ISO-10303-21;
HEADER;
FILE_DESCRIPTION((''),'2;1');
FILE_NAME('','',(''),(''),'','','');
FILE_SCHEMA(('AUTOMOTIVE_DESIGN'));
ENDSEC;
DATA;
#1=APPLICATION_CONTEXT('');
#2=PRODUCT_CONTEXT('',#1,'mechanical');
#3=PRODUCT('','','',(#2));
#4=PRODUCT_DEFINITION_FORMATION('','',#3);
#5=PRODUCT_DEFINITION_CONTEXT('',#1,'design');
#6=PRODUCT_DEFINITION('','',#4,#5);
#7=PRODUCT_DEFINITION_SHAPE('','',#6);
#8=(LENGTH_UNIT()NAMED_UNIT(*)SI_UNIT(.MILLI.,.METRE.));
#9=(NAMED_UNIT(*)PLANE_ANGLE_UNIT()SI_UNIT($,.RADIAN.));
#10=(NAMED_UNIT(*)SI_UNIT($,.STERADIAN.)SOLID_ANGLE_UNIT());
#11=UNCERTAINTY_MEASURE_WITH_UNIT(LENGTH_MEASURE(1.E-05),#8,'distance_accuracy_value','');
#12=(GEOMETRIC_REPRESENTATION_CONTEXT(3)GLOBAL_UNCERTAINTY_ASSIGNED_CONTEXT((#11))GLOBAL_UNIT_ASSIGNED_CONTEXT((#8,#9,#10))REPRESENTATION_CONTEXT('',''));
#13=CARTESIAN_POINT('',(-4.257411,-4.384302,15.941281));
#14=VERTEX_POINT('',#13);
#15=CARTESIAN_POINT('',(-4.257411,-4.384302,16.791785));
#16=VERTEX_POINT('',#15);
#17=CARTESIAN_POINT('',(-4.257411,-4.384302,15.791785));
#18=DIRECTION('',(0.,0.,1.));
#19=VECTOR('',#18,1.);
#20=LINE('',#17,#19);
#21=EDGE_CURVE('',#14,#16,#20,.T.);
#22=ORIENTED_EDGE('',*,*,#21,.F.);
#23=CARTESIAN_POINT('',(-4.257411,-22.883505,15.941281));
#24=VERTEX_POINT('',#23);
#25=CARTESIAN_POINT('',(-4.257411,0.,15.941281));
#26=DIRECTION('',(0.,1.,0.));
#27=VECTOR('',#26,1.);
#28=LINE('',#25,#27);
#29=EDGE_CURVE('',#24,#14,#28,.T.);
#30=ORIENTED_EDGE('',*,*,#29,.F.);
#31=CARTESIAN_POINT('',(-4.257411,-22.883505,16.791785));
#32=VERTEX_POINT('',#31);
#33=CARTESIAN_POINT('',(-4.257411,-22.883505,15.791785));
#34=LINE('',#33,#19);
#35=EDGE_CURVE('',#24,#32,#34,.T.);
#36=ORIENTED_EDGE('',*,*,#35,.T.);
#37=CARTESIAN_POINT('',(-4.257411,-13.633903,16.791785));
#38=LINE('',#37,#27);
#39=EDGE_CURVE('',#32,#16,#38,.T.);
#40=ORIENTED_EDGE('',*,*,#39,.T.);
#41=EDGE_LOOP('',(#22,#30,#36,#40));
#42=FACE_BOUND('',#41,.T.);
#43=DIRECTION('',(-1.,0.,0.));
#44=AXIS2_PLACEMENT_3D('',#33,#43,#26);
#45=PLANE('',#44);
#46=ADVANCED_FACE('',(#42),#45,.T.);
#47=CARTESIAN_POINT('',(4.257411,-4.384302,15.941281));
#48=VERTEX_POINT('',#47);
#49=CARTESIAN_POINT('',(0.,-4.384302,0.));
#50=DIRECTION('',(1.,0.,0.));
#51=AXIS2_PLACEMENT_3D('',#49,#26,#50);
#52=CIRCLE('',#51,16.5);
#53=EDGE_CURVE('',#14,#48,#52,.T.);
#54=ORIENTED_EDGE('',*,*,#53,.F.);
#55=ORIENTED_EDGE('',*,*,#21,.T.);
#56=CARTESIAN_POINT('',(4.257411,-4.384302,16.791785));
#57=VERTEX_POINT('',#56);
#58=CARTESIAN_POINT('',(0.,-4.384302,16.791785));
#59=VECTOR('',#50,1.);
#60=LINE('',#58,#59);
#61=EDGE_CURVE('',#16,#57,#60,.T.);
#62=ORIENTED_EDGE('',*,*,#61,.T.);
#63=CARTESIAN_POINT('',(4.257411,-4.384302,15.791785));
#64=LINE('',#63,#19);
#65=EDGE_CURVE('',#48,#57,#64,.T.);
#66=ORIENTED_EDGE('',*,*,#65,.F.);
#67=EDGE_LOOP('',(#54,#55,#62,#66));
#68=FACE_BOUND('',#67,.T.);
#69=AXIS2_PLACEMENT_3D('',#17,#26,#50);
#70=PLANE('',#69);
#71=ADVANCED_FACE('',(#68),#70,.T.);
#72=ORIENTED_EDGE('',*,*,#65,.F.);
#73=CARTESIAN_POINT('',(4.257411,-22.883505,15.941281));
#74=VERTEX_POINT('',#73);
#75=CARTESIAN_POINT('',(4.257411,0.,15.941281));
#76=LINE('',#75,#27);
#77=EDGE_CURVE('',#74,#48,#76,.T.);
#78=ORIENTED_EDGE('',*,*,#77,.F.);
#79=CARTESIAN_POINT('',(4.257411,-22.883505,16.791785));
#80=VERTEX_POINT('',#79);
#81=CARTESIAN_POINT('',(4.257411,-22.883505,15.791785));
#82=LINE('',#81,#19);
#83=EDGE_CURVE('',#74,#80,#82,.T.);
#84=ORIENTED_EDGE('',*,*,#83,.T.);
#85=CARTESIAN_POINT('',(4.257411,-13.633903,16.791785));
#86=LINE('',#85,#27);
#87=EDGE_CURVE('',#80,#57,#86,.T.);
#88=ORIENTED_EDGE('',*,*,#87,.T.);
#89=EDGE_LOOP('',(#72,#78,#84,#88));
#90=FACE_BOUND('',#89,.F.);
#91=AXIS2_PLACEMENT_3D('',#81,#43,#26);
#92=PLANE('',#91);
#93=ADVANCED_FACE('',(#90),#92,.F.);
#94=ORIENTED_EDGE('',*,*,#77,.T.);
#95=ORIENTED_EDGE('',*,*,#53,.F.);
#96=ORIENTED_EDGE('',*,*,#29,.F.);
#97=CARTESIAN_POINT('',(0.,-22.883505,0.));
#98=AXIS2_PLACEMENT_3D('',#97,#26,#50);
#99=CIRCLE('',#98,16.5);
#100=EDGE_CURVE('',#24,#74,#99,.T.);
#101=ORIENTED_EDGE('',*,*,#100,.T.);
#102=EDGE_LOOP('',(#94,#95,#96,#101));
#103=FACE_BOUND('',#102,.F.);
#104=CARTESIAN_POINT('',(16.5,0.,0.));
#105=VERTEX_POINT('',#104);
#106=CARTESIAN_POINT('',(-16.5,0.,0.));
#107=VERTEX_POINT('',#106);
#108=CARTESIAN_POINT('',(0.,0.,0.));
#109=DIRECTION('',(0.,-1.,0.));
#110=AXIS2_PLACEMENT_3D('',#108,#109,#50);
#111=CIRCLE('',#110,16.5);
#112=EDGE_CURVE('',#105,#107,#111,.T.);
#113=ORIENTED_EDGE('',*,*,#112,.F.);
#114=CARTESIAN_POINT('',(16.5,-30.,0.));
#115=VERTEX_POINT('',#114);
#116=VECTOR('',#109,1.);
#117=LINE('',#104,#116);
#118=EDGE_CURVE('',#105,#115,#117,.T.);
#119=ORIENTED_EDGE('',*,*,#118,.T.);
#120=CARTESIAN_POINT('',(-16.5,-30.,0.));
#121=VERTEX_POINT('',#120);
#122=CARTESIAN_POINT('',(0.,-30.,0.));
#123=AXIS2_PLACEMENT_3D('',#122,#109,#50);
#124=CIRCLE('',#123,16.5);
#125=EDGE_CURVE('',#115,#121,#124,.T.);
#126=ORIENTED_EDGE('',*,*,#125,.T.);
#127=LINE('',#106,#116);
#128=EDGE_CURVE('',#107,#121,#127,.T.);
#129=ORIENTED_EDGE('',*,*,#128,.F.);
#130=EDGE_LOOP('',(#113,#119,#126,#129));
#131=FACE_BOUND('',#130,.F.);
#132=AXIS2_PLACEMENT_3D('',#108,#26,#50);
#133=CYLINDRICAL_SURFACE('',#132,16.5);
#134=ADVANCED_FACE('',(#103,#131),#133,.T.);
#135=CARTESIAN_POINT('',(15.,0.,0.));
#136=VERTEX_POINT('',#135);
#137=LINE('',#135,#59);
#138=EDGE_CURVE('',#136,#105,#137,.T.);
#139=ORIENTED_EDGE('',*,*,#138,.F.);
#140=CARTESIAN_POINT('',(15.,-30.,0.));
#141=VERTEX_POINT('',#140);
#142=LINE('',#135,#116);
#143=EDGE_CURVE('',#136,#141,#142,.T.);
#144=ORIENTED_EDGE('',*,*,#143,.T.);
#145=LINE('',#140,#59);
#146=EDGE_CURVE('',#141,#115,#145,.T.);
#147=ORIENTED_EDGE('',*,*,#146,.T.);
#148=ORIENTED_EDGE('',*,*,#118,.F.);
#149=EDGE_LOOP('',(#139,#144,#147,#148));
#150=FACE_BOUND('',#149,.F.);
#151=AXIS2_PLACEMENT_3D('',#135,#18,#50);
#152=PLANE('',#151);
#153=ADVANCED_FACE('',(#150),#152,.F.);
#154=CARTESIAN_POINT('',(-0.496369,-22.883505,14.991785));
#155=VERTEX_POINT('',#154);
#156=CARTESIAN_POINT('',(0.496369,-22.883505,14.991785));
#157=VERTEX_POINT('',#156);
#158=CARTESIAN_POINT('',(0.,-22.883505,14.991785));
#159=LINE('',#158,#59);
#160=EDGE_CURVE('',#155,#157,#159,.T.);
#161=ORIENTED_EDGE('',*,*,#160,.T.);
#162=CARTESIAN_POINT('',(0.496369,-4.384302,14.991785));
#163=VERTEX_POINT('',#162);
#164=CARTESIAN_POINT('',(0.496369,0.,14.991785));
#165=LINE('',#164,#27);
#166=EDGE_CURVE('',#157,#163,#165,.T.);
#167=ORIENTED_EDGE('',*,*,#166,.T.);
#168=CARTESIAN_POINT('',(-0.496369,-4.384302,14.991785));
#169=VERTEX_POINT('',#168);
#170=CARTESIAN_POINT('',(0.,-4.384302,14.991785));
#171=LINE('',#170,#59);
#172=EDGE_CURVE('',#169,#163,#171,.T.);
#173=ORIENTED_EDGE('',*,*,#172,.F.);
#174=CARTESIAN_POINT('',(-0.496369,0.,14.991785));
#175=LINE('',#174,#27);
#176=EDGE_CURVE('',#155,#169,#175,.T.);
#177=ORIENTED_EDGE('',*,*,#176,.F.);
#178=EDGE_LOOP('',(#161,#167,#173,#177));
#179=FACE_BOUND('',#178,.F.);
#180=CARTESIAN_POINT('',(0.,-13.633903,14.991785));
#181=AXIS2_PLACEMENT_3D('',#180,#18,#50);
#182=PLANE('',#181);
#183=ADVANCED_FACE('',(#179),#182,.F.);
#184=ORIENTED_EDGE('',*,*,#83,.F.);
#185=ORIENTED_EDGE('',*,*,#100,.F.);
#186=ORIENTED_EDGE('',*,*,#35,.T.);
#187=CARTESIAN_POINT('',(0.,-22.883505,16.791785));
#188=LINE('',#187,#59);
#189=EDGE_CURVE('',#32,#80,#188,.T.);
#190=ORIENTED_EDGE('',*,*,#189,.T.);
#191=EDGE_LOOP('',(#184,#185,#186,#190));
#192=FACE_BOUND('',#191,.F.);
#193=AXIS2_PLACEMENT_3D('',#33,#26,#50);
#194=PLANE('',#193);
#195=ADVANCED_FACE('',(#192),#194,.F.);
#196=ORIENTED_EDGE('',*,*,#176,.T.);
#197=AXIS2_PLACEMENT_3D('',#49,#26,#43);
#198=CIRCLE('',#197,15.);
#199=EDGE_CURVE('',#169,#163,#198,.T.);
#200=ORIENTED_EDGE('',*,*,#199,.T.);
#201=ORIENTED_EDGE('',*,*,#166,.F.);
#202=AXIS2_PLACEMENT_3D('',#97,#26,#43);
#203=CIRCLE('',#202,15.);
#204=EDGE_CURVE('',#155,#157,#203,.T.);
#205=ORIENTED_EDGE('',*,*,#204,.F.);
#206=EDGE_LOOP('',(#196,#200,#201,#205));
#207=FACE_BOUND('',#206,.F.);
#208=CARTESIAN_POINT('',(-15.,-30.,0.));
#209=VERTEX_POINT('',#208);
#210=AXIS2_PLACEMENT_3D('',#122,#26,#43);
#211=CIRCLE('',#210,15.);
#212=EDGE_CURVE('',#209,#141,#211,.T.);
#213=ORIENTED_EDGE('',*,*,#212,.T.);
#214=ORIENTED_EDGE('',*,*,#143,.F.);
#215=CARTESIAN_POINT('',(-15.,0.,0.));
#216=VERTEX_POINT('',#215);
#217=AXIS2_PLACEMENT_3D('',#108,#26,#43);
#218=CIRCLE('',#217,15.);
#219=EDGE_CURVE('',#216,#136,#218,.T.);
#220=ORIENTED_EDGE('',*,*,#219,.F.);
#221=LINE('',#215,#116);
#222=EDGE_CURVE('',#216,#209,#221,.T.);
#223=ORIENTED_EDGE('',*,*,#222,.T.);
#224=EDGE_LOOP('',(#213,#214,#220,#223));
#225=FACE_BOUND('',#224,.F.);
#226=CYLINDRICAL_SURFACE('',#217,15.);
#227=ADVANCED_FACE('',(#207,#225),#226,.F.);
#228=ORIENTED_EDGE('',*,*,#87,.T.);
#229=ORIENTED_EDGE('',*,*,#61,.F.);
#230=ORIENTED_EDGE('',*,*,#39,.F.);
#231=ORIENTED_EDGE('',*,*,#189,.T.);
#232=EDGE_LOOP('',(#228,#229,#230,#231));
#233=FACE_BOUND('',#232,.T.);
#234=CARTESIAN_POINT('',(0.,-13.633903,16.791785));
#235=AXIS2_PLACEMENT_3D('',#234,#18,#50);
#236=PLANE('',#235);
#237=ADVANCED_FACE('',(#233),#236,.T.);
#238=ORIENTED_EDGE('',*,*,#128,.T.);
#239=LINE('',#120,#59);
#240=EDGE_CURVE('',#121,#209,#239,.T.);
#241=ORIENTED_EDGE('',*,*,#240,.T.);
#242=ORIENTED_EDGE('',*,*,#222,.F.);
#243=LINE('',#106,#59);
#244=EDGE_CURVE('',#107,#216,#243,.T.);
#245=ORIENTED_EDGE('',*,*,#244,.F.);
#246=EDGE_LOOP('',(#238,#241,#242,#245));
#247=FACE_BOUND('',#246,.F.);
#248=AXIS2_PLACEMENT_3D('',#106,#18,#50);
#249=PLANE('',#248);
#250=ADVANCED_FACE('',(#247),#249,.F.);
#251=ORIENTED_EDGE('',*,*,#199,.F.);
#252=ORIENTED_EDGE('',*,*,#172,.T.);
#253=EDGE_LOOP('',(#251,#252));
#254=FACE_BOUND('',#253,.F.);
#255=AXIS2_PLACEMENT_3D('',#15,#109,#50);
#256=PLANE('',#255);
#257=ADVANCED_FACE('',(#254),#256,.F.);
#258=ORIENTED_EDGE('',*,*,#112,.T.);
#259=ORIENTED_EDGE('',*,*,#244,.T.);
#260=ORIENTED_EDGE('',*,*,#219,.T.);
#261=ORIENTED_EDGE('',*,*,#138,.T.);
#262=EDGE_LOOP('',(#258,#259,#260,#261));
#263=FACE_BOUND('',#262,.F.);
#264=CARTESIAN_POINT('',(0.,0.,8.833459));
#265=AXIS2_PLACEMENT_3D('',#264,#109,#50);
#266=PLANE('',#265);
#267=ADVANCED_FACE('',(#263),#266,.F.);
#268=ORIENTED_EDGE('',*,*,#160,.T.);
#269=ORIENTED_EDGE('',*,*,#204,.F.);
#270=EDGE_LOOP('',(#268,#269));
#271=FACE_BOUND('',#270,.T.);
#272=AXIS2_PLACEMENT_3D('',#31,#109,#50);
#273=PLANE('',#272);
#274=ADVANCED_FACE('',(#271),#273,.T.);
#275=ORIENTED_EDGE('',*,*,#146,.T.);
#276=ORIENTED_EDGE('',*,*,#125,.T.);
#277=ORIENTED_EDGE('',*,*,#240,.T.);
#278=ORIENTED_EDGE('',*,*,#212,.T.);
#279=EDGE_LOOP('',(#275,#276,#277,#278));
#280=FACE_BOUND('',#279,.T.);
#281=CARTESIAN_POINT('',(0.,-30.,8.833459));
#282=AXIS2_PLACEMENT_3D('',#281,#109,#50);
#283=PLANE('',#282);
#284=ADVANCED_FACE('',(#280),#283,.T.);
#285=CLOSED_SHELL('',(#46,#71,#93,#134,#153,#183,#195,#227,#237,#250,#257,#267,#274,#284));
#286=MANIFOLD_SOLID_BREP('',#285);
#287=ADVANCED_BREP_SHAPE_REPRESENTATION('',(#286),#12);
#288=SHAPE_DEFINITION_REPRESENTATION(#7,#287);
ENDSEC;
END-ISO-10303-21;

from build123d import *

# Parameters (mm, degrees)
F1_DEPTH = 30
F4_W     = 8.514822
F4_H     = 18.499203
F5_DEPTH = 1
F6_W     = 8.514822
F6_H     = 18.499203
F7_DEPTH = 1.8


with BuildPart() as f1:
    # F0 (on Front) → F1 (new body)
    with BuildSketch(Plane.XZ):
        with BuildLine():
            ThreePointArc((-15, 0), (0, 15), (15, 0))
            Line((15, 0), (16.5, 0))
            ThreePointArc((16.5, 0), (0, 16.5), (-16.5, 0))
            Line((-16.5, 0), (-15, 0))
        make_face()
    extrude(amount=F1_DEPTH)



with BuildPart() as f5:
    # F4 (on face) → F5 (new body)
    with BuildSketch(Plane.XY.offset(15.791785)):
        with Locations((0, -13.633903)):
            Rectangle(F4_W, F4_H)
    extrude(amount=F5_DEPTH)


with BuildPart() as f1_1:
    add(f1.part)

    add(f5.part)  # F7 merges F5
    # F6 (on face) → F7 (join)
    with BuildSketch(Plane.XY.offset(16.791785)):
        with Locations((0, -13.633903)):
            Rectangle(F6_W, F6_H)
    extrude(amount=-F7_DEPTH)


solid = f1_1.part
